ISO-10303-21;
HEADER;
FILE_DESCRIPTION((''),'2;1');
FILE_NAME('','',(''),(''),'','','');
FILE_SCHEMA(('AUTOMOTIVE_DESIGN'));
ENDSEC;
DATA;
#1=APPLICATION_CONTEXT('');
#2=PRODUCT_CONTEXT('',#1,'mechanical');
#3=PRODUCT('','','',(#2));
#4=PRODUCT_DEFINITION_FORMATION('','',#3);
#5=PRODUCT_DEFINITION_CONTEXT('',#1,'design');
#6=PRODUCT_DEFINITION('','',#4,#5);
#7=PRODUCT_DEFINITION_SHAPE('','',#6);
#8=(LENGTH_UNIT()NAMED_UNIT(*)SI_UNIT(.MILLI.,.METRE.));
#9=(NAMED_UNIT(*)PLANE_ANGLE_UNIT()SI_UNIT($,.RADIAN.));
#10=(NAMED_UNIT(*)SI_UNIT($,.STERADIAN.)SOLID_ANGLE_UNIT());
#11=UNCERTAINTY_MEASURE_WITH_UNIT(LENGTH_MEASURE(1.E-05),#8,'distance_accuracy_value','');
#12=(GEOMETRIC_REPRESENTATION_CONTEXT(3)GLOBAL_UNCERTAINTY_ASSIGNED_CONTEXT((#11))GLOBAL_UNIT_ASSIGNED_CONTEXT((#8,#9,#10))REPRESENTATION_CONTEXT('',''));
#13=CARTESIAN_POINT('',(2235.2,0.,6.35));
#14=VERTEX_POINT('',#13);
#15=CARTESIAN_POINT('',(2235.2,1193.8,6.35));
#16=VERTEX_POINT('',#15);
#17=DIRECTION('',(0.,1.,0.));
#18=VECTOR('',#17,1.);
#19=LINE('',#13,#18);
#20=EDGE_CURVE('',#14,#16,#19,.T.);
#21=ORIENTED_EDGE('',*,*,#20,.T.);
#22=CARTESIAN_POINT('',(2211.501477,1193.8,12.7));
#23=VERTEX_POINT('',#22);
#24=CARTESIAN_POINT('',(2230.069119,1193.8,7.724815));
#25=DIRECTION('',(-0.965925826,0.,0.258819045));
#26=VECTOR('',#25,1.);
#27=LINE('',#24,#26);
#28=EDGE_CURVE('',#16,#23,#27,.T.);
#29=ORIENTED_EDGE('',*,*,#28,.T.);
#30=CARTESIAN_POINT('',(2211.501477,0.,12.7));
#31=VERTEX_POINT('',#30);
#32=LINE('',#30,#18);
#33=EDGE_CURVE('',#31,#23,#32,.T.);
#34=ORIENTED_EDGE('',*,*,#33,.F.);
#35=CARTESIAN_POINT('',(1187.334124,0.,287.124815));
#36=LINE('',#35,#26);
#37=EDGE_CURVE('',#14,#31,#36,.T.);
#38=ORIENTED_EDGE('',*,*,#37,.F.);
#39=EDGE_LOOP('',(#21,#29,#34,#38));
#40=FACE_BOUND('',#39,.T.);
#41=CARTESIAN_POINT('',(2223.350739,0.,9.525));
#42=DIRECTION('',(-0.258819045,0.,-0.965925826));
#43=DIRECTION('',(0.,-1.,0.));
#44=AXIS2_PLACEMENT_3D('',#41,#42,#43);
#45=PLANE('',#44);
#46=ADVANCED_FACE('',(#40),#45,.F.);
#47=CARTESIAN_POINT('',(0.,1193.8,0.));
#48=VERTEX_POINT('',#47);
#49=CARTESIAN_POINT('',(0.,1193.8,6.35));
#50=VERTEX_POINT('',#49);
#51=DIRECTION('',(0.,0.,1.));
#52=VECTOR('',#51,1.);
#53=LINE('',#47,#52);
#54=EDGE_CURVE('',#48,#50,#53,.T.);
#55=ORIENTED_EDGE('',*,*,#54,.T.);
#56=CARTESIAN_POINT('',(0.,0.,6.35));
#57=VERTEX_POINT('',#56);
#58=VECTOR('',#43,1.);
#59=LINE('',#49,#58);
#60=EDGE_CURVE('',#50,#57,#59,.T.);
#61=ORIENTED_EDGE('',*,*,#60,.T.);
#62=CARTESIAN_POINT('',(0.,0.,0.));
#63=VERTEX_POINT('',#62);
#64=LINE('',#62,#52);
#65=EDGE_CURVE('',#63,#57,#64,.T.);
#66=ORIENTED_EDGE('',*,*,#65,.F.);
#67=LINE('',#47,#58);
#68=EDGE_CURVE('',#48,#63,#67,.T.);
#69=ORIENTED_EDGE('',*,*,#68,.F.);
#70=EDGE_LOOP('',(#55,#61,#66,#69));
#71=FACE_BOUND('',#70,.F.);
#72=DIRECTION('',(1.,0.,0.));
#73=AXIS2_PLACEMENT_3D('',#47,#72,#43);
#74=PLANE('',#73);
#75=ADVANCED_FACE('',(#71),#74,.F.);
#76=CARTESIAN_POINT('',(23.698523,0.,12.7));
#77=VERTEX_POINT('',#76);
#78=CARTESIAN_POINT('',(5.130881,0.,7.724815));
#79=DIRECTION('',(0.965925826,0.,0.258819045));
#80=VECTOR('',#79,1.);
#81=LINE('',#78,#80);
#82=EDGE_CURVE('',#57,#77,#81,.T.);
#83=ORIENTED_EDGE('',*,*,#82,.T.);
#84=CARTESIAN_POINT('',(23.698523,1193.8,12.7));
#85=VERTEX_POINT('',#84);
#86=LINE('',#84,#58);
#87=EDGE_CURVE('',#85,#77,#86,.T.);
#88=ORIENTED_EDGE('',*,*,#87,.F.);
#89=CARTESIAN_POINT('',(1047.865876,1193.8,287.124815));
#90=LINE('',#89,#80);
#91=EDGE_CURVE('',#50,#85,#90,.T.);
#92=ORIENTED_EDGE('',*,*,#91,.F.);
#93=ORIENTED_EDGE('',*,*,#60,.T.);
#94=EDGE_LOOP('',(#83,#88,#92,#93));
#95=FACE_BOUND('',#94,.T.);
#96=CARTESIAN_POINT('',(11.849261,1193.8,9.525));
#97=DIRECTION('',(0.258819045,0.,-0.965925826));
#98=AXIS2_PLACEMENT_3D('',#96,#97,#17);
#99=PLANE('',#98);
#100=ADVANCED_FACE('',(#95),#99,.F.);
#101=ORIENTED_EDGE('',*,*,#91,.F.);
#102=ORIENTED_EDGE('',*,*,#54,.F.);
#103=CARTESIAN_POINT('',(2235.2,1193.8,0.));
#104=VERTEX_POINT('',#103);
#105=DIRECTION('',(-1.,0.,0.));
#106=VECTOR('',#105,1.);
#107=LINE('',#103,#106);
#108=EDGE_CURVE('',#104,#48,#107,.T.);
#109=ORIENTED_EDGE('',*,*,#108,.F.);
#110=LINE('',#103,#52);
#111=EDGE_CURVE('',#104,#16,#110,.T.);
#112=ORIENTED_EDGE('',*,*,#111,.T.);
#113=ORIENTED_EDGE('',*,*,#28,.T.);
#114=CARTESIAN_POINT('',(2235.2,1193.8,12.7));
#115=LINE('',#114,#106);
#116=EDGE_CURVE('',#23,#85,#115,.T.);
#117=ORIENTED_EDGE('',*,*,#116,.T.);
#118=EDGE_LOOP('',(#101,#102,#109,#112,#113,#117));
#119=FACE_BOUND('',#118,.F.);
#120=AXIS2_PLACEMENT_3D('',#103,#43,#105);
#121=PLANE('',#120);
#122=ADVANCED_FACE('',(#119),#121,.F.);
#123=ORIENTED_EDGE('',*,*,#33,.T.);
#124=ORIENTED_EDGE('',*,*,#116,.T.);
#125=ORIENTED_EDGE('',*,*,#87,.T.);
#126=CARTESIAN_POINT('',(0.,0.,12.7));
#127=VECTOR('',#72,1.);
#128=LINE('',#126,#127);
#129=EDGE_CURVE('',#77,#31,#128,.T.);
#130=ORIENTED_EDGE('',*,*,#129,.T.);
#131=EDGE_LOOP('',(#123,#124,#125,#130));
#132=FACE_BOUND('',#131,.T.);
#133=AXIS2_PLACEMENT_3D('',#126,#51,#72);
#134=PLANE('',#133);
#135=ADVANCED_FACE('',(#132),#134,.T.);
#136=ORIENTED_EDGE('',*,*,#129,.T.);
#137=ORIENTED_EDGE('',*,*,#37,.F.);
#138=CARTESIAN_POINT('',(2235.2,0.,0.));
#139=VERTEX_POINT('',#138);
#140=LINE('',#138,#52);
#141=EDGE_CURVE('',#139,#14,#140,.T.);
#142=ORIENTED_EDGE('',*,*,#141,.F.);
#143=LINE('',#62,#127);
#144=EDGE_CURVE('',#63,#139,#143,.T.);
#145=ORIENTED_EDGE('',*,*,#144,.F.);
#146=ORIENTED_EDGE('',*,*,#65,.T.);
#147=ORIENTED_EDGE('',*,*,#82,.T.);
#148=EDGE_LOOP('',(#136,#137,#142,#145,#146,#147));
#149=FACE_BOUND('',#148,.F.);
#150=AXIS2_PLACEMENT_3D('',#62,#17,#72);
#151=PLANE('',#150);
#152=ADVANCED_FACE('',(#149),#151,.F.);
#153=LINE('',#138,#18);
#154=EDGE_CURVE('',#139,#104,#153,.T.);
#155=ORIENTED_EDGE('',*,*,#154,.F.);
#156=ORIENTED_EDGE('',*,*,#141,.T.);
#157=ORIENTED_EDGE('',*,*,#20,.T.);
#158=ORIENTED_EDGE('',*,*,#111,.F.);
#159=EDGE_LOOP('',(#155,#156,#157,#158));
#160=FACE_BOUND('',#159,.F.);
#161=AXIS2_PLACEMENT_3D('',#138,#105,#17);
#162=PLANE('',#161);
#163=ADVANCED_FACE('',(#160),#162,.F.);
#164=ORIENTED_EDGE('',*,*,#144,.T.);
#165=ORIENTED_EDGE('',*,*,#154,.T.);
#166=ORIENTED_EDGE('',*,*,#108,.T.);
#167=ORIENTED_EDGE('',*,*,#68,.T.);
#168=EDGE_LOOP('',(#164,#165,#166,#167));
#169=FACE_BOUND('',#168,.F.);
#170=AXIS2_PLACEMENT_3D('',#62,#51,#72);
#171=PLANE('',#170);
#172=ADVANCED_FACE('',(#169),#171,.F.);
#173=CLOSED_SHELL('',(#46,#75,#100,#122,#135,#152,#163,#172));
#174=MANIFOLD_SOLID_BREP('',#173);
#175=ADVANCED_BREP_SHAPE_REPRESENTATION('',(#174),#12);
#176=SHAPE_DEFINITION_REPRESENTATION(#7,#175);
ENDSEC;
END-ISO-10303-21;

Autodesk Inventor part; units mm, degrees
ref_plane "YZ Plane" through (0, 0, 0) normal (1, 0, 0) x (0, 1, 0)
ref_plane "XZ Plane" through (0, 0, 0) normal (0, 1, 0) x (-1, 0, 0)
ref_plane "XY Plane" through (0, 0, 0) normal (0, 0, 1) x (1, 0, 0)
sketch "Sketch1" plane through (0, 0, 0) normal (0, 0, 1) x (1, 0, 0)
  line L0 (0, 0) -> (2235.2, 0)
  line L1 (2235.2, 0) -> (2235.2, 1193.8)
  line L2 (2235.2, 1193.8) -> (0, 1193.8)
  line L3 (0, 1193.8) -> (0, 0)
  dimension "d0" = 1193.8
  dimension "d1" = 2235.2
extrude "Extrusion1" add sketch "Sketch1" along normal blind 12.7
chamfer "Chamfer1" distance 6.35 angle 75 1 edges at (2235.2, 596.9, 12.7) measured on face at (2235.2, 397.9333, 4.2333)
chamfer "Chamfer3" distance 6.35 angle 75 1 edges at (0, 596.9, 12.7) measured on face at (0, 795.8667, 4.2333)
properties part number "GE-12018"
